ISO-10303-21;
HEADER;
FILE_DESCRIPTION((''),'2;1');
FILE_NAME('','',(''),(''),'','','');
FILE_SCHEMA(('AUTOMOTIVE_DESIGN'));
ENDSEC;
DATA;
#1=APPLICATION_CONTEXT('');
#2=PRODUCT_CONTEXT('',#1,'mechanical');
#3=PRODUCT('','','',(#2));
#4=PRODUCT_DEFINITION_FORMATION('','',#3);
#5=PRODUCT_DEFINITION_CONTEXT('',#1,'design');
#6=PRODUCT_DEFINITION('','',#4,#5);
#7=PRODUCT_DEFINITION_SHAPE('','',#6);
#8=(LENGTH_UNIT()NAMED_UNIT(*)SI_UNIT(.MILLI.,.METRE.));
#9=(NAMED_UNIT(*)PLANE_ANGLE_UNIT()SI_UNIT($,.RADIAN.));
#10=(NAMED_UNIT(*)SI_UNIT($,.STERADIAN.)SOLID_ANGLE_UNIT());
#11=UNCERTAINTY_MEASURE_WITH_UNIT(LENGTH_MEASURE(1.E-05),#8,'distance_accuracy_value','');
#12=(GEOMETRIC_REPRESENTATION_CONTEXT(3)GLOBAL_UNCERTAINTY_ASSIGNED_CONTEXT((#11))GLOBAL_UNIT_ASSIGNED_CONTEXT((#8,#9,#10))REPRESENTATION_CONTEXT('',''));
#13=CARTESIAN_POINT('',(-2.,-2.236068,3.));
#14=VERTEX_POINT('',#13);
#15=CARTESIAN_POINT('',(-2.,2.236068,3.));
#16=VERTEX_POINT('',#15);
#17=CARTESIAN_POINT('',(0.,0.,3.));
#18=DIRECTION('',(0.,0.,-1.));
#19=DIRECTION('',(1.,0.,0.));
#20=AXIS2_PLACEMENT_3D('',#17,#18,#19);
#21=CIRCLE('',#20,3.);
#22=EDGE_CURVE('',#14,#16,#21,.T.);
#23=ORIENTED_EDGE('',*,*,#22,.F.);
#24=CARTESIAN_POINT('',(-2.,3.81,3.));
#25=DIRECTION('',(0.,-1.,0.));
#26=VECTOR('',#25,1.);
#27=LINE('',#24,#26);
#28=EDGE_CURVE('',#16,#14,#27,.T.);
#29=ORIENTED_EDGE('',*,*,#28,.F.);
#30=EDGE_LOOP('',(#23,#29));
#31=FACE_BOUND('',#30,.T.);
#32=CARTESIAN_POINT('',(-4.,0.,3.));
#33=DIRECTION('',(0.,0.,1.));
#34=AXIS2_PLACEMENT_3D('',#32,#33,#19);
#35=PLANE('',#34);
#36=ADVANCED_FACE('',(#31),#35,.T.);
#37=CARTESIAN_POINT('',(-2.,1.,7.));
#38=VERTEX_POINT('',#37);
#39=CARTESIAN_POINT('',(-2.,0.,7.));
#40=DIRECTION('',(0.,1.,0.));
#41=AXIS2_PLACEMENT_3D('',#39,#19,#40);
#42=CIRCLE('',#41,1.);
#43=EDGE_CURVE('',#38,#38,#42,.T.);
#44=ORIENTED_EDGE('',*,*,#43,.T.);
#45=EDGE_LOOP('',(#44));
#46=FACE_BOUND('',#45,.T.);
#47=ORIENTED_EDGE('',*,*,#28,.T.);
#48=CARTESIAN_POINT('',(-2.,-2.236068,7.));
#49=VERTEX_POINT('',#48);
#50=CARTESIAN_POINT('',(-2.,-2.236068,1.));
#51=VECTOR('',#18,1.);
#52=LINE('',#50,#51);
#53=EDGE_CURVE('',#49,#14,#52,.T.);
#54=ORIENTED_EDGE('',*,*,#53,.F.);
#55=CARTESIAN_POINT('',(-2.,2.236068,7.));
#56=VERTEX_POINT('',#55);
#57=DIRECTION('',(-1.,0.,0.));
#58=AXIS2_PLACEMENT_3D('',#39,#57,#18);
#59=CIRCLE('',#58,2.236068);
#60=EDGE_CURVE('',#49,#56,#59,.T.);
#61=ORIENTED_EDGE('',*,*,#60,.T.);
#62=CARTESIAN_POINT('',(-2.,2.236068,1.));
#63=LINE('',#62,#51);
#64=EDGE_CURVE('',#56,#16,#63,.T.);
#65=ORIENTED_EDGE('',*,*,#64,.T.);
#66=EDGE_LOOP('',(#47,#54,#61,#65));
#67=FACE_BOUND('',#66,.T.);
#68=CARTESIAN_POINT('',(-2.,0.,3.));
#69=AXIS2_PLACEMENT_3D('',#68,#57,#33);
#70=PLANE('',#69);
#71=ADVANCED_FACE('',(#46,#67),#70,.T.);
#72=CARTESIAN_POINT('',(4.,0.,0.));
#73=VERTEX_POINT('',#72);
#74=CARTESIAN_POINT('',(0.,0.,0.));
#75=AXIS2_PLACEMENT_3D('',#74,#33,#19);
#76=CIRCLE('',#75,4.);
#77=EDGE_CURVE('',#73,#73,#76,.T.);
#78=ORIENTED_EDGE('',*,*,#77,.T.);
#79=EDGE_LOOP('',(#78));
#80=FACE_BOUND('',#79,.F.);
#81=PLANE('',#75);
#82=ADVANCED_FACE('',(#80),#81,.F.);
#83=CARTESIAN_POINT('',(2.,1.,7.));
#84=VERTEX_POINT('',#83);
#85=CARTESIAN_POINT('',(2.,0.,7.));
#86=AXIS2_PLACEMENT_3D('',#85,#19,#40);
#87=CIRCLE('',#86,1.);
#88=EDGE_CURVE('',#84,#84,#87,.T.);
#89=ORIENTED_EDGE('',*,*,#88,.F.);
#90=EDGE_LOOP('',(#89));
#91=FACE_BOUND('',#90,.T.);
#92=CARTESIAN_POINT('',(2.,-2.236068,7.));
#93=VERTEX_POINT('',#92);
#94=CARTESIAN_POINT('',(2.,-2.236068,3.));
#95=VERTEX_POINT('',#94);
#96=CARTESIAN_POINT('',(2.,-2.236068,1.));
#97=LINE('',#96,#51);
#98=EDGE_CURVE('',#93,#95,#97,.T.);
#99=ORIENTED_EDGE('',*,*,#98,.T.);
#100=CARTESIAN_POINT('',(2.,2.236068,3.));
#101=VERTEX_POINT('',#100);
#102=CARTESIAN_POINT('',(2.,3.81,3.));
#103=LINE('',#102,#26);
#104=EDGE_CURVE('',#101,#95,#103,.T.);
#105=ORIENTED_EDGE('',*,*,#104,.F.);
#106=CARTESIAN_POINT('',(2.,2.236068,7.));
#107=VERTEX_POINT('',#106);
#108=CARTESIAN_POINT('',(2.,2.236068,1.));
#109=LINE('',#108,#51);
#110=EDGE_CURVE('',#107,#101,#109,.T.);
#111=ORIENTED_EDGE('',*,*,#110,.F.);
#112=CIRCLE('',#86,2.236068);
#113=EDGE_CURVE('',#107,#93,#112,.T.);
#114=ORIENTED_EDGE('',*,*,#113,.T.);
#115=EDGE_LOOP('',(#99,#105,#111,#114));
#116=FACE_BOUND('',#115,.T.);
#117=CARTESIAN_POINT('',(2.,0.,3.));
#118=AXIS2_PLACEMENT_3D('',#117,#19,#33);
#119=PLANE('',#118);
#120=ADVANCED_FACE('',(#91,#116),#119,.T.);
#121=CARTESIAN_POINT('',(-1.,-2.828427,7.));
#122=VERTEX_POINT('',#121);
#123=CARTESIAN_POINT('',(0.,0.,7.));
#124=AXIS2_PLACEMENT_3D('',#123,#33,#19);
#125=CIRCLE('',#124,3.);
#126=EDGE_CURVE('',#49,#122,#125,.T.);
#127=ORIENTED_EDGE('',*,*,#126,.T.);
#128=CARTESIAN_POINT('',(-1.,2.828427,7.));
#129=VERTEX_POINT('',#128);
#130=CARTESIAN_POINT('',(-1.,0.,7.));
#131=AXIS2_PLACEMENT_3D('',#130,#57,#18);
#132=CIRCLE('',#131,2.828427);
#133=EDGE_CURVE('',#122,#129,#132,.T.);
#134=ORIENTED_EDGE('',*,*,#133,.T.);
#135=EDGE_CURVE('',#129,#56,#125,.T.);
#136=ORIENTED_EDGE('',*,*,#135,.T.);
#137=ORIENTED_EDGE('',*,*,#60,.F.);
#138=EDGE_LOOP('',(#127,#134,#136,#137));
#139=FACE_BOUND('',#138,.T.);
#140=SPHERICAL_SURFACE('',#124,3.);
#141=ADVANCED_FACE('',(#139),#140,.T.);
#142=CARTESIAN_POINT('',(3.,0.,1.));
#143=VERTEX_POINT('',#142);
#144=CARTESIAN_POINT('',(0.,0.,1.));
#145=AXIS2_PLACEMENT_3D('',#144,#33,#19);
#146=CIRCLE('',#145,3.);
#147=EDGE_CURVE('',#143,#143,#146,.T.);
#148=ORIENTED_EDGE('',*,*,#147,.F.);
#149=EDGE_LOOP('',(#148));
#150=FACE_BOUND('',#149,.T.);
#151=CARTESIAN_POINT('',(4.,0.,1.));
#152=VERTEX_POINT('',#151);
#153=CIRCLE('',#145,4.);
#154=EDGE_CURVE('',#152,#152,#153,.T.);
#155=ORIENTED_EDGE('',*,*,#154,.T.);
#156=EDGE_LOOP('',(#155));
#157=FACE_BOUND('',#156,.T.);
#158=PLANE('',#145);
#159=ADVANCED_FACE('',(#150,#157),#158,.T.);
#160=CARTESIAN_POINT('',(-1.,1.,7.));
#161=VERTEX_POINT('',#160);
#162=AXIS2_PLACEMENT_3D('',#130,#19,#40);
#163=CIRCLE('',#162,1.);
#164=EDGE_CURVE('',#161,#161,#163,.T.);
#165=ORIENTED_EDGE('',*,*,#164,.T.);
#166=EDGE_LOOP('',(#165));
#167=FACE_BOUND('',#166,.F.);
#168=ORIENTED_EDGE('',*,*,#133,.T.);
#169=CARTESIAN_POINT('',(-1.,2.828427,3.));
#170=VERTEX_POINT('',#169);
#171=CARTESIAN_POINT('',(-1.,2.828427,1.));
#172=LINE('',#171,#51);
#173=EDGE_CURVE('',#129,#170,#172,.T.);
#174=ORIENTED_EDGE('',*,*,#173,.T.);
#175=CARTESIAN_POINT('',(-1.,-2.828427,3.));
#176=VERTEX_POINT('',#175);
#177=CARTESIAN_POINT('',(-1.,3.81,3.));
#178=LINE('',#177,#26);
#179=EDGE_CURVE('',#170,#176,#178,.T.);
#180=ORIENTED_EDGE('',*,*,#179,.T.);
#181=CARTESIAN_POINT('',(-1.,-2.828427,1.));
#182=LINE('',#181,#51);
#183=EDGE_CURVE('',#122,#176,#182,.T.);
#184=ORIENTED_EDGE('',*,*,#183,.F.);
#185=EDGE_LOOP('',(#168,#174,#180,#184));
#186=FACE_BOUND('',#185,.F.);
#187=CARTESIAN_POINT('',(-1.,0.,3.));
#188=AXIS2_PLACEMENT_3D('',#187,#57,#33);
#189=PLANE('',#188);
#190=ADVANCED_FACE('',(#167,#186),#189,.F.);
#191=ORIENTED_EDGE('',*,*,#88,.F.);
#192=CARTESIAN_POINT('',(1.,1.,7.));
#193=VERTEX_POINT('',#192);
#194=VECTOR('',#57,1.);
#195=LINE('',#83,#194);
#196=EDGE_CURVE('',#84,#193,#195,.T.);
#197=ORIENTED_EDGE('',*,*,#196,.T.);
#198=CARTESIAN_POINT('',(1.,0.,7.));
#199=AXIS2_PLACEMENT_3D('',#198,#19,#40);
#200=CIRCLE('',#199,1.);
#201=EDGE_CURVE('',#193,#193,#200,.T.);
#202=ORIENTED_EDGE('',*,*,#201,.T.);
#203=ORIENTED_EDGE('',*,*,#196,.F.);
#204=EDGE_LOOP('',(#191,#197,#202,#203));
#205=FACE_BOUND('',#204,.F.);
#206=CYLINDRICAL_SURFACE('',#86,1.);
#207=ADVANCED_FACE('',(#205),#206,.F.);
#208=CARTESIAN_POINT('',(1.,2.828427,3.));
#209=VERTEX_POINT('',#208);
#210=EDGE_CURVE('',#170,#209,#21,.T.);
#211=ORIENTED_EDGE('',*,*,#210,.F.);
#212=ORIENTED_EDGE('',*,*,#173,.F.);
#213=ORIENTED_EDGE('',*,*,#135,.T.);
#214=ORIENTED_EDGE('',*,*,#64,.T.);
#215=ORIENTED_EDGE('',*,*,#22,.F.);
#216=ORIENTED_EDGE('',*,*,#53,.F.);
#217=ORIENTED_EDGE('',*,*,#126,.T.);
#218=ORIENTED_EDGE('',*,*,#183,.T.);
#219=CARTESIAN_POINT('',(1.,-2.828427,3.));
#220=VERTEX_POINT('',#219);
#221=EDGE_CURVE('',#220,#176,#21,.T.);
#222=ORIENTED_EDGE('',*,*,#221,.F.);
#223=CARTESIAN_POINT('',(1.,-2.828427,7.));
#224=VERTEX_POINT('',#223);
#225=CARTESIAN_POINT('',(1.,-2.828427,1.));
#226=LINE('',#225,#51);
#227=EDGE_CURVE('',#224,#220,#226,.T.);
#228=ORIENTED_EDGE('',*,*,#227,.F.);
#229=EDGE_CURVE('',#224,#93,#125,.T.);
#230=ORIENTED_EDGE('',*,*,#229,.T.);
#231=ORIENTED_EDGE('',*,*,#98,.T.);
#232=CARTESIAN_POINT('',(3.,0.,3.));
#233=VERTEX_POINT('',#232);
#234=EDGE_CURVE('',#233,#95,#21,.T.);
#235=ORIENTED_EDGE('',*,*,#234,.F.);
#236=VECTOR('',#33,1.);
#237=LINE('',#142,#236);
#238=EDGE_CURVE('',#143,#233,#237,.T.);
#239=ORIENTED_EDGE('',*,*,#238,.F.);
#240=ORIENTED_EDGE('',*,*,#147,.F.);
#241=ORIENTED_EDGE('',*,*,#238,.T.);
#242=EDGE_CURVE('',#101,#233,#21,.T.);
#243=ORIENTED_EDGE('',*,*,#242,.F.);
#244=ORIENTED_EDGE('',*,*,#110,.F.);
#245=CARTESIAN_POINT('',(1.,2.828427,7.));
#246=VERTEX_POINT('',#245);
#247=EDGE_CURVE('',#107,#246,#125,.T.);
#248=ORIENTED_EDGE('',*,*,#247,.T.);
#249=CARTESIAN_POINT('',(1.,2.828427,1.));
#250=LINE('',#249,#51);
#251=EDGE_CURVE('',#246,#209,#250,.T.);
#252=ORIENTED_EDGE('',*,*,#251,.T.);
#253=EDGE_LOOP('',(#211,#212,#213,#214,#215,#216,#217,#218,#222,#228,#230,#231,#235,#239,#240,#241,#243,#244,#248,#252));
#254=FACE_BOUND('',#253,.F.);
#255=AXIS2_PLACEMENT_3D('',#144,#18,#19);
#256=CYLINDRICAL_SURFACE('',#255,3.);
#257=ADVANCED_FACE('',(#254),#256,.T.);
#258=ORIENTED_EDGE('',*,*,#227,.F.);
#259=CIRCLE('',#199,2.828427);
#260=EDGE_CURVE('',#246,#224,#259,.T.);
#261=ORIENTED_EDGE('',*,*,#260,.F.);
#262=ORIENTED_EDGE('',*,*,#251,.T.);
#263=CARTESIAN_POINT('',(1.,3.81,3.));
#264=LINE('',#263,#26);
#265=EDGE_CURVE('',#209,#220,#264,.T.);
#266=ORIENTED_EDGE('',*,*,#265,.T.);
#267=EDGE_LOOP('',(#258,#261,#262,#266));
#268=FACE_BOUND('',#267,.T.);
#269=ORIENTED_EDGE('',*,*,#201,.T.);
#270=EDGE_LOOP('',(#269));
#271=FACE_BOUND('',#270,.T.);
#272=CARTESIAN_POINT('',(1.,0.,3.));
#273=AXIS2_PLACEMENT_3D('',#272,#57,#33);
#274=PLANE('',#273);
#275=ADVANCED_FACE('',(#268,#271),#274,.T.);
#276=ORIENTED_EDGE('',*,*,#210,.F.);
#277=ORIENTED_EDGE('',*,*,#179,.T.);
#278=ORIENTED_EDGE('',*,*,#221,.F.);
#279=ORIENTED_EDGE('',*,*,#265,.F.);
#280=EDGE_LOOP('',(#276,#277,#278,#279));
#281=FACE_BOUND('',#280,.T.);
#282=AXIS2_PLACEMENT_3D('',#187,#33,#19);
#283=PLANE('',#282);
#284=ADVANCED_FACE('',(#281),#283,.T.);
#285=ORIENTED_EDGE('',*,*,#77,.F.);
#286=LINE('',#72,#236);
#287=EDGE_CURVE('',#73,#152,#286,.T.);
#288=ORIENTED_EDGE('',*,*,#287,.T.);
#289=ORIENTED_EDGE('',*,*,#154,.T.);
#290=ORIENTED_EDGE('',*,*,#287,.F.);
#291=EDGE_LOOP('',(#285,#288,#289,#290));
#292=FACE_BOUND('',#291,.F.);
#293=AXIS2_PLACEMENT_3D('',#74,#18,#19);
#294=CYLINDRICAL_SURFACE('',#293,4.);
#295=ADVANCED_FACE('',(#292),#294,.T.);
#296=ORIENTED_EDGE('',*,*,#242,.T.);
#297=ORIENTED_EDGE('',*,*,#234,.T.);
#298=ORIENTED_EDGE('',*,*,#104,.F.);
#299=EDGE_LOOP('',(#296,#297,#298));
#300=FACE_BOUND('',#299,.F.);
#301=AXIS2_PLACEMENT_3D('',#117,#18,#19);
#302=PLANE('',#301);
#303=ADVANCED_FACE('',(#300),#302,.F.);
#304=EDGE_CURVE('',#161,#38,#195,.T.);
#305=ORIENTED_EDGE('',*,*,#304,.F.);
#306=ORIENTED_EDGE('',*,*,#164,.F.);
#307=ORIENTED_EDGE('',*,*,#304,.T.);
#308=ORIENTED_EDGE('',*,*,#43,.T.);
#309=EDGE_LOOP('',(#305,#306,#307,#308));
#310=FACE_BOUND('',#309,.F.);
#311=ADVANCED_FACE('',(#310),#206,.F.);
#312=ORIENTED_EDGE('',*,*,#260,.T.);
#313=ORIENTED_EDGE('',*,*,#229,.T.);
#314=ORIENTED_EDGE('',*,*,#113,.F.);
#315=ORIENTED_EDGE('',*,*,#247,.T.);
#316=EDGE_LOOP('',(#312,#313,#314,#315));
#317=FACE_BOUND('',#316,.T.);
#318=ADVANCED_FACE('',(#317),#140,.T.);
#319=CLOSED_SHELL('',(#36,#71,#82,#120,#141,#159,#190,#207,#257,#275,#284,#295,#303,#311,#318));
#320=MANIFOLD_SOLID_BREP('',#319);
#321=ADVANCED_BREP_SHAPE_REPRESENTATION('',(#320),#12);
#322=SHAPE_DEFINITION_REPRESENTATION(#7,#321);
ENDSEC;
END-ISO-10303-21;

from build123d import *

# Parameters (mm, degrees)
F0_R     = 4
F1_DEPTH = 1
F2_R     = 3
F3_DEPTH = 9
F4_R     = 3
F5_W     = 2
F5_H     = 8
F6_DEPTH = 3.81
F7_R     = 1
F8_DEPTH = 25


with BuildPart() as f1:
    # F0 (on Top) → F1 (new body)
    with BuildSketch(Plane.XY):
        Circle(F0_R)
    extrude(amount=F1_DEPTH)

    # F2 (on face) → F3 (join)
    with BuildSketch(Plane.XY.offset(1)):
        Circle(F2_R)
    extrude(amount=F3_DEPTH)

    # F4
    f4_edges = [f1.edges().sort_by_distance(p)[0] for p in [
        (-3, 0, 10),
    ]]
    fillet(f4_edges, radius=F4_R)

    # F5 (on Front) → F6 (cut, symmetric)
    with BuildSketch(Plane.XZ):
        with Locations((-3, 7)):
            Rectangle(F5_W, F5_H)
        with Locations((0, 7)):
            Rectangle(F5_W, F5_H)
        with Locations((3, 7)):
            Rectangle(F5_W, F5_H)
    extrude(amount=F6_DEPTH, both=True, mode=Mode.SUBTRACT)

    # F7 (on face) → F8 (cut)
    with BuildSketch(Plane.YZ.offset(2)):
        with Locations((0, 7)):
            Circle(F7_R)
    extrude(amount=-F8_DEPTH, mode=Mode.SUBTRACT)


solid = f1.part
